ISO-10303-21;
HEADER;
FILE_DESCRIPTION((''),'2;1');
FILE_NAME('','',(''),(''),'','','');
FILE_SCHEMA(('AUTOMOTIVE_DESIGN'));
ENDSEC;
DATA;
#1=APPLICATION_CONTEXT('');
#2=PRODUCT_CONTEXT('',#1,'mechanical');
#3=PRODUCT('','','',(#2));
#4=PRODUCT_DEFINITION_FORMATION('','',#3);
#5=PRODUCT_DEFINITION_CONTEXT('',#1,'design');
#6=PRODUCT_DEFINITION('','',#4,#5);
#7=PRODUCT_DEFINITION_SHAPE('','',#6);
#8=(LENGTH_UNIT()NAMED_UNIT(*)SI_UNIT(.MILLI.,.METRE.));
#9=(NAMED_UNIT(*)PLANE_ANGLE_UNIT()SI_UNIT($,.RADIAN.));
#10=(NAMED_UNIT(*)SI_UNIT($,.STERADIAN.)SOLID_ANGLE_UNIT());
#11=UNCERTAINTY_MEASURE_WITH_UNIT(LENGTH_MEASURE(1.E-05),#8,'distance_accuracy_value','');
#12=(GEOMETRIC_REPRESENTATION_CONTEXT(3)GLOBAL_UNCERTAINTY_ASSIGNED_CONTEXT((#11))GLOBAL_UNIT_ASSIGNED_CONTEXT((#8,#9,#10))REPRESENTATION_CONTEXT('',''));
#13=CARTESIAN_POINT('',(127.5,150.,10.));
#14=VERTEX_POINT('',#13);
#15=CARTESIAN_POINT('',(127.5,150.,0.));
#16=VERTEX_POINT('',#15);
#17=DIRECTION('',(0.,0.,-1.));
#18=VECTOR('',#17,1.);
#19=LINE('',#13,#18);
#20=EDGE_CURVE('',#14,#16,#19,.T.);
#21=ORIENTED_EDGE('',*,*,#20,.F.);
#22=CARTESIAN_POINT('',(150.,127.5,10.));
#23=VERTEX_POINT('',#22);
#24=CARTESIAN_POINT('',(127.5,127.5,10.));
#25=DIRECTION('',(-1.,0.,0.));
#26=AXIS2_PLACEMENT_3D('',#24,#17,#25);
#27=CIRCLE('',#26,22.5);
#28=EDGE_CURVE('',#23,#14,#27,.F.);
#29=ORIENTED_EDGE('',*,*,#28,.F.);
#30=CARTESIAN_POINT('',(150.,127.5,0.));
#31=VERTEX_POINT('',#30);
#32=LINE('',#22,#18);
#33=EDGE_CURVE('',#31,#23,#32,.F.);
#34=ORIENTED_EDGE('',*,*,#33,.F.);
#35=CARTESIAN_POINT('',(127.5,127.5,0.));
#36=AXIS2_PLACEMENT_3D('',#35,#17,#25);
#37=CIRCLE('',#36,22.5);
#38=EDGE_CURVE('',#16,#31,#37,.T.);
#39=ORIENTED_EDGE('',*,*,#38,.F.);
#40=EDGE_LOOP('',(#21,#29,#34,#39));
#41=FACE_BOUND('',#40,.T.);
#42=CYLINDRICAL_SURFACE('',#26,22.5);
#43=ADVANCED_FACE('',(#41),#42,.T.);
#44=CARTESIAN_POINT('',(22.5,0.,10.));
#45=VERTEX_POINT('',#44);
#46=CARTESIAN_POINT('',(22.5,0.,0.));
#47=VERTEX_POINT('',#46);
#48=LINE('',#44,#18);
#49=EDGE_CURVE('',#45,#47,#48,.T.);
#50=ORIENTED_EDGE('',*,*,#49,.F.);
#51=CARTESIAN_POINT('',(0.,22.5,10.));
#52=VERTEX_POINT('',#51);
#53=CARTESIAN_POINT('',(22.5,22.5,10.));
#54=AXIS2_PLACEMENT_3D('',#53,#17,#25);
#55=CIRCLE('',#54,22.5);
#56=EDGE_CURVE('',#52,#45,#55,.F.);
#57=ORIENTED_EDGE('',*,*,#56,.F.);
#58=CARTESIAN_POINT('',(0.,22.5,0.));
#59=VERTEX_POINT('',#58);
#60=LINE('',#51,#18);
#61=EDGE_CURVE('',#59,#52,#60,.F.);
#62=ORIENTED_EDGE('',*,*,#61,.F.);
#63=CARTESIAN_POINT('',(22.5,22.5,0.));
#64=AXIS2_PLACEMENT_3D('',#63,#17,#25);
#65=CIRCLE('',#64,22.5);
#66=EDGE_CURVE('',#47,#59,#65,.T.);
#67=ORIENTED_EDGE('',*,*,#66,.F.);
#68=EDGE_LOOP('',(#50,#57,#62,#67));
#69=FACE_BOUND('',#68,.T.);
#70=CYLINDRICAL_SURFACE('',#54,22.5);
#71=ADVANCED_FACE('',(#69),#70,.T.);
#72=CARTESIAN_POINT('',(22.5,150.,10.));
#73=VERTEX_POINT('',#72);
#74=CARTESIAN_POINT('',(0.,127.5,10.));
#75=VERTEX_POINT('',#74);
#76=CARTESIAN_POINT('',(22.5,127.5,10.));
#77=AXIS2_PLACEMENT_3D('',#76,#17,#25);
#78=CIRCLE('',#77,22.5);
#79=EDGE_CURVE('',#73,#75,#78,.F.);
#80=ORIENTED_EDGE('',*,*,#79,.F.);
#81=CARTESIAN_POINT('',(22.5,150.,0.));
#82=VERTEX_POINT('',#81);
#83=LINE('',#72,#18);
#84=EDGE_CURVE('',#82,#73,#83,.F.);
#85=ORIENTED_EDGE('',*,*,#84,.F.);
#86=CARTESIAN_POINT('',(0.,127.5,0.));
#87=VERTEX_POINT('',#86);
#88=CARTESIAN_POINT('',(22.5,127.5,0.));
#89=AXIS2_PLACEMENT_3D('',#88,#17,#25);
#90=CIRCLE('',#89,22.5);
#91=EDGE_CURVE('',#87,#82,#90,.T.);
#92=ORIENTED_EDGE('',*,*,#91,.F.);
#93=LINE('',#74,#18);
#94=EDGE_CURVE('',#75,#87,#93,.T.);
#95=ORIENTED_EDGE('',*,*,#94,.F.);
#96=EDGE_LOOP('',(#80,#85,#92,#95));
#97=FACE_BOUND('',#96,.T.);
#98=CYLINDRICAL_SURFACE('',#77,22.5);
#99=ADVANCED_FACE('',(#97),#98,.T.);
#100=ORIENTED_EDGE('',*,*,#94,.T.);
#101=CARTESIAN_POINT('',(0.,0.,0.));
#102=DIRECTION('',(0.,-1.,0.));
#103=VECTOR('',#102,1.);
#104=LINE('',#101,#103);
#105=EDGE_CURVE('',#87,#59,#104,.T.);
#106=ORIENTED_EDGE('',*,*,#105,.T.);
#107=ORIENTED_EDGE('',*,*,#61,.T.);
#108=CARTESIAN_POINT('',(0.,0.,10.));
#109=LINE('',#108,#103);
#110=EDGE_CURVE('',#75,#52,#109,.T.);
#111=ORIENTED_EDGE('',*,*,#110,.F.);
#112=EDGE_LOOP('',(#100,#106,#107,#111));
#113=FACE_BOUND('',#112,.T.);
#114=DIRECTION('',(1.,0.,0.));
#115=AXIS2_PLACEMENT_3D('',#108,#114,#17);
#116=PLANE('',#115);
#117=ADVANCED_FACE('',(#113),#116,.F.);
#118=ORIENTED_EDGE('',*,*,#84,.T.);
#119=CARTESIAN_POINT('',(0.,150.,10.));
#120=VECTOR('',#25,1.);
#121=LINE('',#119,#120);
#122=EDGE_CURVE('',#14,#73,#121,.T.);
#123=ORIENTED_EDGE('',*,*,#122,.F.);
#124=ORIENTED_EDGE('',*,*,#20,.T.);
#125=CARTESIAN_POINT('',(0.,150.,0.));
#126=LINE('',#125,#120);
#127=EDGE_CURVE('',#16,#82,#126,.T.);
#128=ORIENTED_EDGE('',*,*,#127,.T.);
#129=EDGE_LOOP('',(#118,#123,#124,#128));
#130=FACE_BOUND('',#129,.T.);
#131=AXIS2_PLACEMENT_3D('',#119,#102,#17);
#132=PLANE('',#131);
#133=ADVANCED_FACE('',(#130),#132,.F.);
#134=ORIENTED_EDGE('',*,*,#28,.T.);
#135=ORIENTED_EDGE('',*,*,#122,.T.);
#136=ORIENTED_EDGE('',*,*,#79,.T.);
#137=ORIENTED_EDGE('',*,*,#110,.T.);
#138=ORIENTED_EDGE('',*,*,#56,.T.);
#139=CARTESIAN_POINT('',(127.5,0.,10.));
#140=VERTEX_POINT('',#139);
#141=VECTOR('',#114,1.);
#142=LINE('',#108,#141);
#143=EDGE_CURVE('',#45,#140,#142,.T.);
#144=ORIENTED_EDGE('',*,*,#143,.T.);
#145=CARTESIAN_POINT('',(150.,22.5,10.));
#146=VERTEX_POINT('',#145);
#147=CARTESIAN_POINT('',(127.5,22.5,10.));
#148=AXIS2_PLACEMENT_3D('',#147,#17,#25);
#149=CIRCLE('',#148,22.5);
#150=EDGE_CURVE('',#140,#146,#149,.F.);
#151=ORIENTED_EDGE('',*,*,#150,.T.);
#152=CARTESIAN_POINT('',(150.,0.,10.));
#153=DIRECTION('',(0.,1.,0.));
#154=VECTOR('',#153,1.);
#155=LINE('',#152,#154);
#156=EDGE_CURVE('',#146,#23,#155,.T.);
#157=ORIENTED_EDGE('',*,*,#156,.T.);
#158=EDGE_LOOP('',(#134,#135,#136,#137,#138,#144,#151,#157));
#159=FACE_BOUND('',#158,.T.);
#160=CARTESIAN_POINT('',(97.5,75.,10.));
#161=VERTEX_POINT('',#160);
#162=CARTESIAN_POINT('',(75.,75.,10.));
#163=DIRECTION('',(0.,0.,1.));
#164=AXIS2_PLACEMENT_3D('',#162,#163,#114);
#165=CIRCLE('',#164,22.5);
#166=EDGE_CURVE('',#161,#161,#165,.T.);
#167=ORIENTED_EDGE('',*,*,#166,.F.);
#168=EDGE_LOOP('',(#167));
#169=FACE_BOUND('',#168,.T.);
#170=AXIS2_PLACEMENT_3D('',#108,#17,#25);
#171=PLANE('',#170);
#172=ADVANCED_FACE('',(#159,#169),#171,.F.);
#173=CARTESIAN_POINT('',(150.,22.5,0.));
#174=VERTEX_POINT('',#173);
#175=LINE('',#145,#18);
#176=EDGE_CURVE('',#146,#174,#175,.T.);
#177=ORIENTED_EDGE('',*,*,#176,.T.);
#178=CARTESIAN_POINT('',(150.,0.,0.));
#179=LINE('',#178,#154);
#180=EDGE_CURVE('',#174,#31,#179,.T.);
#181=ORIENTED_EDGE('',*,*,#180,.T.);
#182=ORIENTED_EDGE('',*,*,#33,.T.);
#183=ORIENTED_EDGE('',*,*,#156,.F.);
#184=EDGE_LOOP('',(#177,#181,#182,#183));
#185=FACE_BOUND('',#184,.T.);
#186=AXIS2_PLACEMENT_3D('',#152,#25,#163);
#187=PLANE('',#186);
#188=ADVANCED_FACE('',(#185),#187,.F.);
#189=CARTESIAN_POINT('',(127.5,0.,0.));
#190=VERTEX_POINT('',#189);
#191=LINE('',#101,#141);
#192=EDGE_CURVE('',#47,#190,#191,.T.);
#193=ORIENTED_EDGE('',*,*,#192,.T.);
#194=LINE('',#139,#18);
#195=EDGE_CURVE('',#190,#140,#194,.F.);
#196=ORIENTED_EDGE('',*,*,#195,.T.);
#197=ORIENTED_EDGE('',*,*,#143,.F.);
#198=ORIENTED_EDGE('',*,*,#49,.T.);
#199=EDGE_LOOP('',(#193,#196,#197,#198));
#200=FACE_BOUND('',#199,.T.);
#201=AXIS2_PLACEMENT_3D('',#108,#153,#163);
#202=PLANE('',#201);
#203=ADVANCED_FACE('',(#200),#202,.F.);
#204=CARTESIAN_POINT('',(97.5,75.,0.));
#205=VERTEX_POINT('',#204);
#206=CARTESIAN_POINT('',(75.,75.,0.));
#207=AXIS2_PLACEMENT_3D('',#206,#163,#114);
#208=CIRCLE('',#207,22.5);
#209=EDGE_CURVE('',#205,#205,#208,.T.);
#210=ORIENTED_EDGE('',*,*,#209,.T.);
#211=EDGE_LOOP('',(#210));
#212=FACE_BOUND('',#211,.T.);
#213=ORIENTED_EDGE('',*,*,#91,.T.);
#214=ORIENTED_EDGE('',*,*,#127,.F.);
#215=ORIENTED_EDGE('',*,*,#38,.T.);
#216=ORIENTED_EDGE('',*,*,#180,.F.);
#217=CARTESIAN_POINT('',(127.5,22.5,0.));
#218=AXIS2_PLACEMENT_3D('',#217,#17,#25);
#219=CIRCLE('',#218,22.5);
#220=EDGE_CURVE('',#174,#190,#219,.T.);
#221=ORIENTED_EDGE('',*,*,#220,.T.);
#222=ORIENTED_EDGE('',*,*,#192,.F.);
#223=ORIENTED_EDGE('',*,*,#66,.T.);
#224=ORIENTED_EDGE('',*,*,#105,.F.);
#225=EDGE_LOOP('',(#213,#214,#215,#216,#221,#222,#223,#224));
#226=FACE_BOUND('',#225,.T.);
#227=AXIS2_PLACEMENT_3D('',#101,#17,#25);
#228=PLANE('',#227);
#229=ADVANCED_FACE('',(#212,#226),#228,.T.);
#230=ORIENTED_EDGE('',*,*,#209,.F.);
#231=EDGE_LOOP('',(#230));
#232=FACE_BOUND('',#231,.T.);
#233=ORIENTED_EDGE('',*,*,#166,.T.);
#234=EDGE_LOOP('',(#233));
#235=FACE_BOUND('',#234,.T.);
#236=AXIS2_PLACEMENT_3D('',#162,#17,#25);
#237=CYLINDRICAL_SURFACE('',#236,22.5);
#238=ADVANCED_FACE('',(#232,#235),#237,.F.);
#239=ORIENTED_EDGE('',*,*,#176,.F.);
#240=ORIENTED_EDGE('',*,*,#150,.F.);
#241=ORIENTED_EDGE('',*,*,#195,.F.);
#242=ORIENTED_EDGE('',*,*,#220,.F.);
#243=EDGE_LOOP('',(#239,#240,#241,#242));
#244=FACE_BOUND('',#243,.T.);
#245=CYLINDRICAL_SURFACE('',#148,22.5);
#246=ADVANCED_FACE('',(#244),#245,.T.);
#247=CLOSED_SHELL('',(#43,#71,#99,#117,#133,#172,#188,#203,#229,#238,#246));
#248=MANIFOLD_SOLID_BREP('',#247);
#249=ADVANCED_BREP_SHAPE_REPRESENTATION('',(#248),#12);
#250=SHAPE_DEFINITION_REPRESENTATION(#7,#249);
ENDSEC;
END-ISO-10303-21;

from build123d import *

# Parameters (mm, degrees)
ESQUISSE1_W        = 150
ESQUISSE1_H        = 150
ESQUISSE1_R        = 22.5
BOSS_EXTRU_1_DEPTH = 10
CONG_1_R           = 22.5


with BuildPart() as part:
    # Esquisse1 → Boss.-Extru.1 (new body)
    with BuildSketch(Plane.XY):
        with Locations((75, 75)):
            Rectangle(ESQUISSE1_W, ESQUISSE1_H)
        with Locations((75, 75)):
            Circle(ESQUISSE1_R, mode=Mode.SUBTRACT)
    extrude(amount=BOSS_EXTRU_1_DEPTH)

    # Congé1
    cong_1_edges = [part.edges().sort_by_distance(p)[0] for p in [
        (0, 150, 5),
        (150, 150, 5),
        (150, 0, 5),
        (0, 0, 5),
    ]]
    fillet(cong_1_edges, radius=CONG_1_R)


solid = part.part
